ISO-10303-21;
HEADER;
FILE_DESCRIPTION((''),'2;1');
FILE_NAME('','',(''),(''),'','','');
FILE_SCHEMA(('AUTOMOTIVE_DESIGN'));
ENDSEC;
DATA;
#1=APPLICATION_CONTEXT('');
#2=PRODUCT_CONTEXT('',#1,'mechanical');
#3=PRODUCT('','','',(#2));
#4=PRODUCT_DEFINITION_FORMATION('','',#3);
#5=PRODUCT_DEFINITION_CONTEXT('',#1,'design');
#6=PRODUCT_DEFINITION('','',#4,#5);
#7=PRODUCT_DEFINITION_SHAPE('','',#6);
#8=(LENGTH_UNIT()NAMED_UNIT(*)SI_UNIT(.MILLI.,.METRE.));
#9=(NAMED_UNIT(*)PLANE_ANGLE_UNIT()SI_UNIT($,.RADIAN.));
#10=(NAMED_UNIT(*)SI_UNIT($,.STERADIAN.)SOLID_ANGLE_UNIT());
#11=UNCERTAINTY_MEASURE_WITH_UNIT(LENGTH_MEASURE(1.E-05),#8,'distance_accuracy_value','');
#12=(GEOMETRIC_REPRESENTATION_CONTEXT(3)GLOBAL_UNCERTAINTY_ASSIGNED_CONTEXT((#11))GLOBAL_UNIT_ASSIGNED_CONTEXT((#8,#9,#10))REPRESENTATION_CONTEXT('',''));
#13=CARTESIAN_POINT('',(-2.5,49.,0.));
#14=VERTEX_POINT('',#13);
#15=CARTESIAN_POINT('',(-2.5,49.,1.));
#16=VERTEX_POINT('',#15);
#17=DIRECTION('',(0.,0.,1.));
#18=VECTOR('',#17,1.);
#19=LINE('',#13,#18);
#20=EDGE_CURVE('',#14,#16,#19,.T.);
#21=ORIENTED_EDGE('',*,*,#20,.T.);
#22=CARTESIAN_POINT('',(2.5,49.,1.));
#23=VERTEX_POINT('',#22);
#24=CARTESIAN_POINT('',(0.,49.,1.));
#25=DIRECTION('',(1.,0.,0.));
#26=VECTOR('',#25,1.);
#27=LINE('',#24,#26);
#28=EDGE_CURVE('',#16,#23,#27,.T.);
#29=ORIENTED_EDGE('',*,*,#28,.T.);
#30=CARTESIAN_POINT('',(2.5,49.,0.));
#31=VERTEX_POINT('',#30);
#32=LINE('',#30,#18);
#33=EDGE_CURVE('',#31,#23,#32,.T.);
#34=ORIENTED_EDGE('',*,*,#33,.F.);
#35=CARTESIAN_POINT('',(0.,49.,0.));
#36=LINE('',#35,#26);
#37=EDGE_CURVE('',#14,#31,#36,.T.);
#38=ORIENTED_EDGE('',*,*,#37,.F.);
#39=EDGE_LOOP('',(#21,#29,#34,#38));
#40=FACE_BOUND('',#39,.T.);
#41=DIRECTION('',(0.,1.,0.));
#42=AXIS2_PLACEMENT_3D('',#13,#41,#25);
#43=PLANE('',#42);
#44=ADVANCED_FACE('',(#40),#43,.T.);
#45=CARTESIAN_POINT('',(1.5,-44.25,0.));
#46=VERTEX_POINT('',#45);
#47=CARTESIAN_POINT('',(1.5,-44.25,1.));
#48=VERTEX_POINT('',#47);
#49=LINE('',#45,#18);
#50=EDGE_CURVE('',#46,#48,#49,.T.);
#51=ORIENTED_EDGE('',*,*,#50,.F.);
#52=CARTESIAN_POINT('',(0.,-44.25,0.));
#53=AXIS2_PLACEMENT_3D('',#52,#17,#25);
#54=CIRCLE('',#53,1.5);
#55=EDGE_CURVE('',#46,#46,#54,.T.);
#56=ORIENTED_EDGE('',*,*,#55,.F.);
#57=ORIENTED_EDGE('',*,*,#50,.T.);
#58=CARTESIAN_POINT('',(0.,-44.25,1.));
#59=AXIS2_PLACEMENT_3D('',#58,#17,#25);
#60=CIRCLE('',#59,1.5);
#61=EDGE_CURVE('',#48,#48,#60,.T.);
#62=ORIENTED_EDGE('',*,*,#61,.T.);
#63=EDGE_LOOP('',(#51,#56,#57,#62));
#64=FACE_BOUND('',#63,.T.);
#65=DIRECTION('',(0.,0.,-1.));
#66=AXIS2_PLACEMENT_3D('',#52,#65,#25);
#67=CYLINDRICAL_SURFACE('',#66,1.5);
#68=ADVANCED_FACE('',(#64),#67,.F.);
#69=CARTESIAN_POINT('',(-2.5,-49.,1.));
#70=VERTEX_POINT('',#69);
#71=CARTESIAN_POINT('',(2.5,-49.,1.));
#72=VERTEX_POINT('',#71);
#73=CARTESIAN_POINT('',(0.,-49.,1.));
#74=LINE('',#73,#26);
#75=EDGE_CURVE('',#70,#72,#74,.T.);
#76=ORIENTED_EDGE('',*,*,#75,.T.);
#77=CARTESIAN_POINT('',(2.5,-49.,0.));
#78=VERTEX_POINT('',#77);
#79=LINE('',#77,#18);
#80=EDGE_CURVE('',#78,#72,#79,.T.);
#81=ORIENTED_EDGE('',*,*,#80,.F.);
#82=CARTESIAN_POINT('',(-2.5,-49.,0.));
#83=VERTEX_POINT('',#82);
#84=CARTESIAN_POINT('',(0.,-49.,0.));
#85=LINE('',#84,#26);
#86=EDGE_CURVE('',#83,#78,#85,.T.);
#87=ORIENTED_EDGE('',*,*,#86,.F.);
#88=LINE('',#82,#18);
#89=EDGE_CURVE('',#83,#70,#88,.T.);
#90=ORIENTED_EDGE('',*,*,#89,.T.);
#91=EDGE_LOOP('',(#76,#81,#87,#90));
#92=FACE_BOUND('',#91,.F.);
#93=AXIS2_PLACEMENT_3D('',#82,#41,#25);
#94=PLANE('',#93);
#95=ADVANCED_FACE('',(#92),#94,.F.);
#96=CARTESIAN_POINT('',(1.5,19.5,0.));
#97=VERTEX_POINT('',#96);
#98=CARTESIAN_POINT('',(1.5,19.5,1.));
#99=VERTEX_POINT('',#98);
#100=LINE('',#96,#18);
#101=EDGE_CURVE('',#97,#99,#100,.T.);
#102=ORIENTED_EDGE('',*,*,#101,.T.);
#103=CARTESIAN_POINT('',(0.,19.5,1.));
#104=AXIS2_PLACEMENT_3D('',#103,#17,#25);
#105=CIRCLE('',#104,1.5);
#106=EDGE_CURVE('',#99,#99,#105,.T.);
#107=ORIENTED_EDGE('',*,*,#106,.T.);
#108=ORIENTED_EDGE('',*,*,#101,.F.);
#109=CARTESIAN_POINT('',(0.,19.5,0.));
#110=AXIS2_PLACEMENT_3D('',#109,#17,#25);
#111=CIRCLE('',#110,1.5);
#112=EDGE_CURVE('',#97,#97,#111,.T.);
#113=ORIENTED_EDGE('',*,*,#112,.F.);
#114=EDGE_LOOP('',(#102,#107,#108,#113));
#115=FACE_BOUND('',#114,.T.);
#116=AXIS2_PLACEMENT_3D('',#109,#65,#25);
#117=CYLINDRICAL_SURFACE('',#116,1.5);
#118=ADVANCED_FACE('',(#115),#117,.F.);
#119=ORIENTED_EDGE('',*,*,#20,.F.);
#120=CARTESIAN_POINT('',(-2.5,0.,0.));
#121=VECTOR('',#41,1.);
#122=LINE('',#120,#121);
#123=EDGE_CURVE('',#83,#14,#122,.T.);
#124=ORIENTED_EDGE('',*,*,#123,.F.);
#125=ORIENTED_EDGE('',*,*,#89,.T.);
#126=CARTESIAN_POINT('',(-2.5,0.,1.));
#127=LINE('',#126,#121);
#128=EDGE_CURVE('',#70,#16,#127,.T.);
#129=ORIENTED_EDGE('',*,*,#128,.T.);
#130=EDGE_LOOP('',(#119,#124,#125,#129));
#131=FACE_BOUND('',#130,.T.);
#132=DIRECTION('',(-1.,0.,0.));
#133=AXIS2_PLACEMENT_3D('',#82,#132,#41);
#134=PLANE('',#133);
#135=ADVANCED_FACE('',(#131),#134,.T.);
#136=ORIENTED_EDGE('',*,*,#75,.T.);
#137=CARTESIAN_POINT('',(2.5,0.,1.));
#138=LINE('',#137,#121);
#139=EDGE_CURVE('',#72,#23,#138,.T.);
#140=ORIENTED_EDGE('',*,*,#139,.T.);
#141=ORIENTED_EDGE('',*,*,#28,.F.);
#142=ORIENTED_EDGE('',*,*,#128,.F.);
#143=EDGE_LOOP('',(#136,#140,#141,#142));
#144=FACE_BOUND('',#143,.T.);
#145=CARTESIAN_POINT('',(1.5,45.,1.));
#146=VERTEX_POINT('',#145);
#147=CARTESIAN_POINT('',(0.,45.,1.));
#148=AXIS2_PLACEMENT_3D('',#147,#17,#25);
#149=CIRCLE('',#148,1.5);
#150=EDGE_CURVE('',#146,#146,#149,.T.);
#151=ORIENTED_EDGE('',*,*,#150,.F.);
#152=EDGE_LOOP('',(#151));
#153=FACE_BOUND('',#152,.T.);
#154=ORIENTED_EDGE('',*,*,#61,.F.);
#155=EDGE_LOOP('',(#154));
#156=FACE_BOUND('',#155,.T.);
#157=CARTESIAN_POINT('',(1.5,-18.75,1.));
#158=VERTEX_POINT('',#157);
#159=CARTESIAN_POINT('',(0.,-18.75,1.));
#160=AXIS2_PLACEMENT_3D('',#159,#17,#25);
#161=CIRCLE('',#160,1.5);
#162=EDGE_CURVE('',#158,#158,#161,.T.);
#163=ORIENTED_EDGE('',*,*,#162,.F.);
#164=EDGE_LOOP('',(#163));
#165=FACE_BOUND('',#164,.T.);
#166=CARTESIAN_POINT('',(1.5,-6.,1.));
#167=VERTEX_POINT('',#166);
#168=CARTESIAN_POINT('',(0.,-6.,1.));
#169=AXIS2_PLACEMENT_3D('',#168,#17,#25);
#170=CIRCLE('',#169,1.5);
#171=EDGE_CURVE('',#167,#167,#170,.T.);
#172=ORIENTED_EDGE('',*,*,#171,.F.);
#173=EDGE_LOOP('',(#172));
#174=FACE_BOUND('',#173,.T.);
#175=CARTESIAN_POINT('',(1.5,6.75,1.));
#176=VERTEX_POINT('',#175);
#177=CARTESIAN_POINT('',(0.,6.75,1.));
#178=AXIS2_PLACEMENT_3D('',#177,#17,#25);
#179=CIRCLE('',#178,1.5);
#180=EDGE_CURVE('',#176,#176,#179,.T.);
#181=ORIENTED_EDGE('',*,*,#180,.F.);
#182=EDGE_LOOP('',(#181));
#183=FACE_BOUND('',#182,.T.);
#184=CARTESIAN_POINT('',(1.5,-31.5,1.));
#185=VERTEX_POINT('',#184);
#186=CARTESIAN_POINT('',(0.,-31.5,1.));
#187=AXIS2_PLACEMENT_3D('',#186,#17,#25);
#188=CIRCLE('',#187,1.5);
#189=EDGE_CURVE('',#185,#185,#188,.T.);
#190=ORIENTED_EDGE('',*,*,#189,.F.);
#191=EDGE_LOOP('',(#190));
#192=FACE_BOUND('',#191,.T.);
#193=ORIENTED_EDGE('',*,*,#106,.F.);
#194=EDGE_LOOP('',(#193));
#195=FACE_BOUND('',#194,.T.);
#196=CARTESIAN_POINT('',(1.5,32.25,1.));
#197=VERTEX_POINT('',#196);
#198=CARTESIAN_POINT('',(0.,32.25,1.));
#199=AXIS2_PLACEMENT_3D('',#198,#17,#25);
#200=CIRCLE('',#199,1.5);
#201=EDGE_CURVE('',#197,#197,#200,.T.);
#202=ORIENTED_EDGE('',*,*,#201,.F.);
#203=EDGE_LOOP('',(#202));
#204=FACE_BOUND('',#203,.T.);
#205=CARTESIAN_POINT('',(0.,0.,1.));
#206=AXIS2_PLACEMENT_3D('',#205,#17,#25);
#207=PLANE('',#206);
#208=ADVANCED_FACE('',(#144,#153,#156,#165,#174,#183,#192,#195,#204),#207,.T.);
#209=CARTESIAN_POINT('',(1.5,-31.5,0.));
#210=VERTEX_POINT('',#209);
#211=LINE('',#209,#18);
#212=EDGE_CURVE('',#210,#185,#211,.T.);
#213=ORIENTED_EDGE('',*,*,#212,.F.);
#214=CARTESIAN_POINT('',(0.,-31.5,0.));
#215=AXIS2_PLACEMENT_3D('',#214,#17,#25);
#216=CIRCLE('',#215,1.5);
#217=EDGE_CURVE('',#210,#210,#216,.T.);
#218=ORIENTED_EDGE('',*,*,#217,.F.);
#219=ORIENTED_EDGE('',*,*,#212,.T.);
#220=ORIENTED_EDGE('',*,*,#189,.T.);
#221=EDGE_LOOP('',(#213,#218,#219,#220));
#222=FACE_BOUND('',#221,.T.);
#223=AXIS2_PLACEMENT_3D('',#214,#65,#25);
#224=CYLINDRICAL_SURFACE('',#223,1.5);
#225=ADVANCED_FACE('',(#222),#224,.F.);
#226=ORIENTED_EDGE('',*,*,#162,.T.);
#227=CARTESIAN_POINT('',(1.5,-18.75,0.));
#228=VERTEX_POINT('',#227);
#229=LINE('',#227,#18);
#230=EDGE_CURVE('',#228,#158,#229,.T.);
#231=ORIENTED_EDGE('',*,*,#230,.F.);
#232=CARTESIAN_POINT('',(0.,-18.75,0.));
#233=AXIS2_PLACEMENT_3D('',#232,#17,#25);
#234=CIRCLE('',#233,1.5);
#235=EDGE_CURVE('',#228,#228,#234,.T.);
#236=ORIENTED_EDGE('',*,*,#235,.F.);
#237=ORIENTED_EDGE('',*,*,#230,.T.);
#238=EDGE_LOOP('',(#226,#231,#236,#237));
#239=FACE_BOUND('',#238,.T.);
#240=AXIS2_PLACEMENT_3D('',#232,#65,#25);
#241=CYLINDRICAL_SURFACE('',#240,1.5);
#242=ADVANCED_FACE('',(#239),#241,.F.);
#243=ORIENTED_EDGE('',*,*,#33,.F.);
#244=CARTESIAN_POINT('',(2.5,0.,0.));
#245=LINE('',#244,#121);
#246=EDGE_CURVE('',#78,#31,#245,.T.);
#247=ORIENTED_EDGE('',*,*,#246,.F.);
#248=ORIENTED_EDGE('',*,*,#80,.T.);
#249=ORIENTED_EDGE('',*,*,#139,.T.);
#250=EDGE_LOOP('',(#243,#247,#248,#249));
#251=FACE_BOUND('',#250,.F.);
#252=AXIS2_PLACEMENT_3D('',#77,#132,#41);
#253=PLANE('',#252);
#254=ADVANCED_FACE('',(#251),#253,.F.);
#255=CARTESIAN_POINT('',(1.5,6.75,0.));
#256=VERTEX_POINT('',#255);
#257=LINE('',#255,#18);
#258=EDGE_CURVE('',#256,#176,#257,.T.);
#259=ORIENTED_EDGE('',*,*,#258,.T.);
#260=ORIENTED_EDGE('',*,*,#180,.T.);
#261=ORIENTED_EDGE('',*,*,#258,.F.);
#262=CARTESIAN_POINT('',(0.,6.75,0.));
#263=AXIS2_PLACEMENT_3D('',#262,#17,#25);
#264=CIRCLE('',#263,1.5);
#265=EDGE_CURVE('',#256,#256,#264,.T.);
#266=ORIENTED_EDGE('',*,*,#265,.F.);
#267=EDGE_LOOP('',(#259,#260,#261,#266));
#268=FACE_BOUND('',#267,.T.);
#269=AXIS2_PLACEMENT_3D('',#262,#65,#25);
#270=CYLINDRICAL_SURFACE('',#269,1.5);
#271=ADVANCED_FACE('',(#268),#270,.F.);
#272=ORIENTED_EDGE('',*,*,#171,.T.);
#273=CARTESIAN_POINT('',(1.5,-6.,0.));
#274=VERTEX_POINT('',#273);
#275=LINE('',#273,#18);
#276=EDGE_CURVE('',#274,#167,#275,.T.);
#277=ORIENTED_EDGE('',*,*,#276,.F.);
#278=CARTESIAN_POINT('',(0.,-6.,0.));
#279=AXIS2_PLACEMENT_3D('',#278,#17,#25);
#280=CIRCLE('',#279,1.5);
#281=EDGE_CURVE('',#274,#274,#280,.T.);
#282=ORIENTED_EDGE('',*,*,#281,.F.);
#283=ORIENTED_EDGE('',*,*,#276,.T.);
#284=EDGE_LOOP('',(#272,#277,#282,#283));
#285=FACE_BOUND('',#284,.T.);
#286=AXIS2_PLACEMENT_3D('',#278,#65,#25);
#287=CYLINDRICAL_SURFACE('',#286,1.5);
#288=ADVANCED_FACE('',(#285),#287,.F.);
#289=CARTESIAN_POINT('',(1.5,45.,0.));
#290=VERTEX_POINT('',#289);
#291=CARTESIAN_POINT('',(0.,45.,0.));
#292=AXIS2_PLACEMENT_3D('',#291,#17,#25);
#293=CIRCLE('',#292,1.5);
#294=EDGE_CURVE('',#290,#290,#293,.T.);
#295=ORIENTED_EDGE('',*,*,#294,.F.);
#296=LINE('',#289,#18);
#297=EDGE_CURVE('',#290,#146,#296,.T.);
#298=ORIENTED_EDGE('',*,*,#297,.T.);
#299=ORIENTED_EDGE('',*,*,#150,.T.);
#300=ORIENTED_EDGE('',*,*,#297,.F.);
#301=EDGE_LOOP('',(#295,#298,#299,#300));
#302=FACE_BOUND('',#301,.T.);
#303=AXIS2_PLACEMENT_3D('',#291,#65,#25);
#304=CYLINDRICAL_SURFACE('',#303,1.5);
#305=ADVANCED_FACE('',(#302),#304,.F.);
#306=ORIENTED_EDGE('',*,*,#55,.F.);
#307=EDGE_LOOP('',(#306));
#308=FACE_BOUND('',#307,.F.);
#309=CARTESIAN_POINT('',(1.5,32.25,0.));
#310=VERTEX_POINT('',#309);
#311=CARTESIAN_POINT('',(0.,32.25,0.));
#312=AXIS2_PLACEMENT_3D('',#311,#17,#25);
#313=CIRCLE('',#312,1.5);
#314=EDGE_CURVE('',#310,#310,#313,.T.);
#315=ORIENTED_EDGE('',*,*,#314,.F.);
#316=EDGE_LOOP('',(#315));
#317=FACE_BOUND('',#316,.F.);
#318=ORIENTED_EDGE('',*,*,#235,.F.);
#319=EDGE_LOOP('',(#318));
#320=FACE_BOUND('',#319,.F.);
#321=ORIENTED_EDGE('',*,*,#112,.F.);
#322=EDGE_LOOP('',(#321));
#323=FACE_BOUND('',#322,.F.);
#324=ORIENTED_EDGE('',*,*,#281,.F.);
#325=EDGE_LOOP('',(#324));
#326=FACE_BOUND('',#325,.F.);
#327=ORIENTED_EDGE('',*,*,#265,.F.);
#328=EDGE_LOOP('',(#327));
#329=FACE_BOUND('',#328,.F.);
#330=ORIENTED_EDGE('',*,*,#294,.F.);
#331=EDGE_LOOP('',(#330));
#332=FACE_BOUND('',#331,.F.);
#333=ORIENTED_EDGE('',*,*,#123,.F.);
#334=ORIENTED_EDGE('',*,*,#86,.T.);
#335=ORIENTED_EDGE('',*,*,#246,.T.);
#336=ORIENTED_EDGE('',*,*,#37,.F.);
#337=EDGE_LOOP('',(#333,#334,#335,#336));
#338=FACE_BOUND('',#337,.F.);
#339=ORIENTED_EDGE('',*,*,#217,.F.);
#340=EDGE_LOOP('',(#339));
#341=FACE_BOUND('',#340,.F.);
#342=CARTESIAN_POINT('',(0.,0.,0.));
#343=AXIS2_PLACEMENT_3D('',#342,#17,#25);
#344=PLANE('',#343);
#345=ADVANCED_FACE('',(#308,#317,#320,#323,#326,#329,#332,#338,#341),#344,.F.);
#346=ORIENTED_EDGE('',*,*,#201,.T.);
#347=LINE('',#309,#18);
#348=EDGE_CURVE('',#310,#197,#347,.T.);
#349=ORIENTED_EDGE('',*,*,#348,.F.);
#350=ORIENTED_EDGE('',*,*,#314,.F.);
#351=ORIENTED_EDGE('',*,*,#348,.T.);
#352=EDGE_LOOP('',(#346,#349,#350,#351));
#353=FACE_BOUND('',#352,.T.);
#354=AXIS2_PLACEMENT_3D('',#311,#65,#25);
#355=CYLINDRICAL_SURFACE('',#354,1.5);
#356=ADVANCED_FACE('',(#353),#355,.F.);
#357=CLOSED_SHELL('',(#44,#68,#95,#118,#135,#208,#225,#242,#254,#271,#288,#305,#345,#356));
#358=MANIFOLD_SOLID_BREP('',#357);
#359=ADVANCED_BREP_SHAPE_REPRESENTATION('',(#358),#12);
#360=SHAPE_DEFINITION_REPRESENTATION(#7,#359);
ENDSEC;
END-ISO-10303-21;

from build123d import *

# Parameters (mm, degrees)
F0_W     = 5
F0_H     = 98
F0_R     = 1.5
F1_DEPTH = 1


with BuildPart() as f1:
    # F0 (on Top) → F1 (new body)
    with BuildSketch(Plane.XY):
        Rectangle(F0_W, F0_H)
        with Locations((0, -44.25)):
            Circle(F0_R, mode=Mode.SUBTRACT)
        with Locations((0, -31.5)):
            Circle(F0_R, mode=Mode.SUBTRACT)
        with Locations((0, -18.75)):
            Circle(F0_R, mode=Mode.SUBTRACT)
        with Locations((0, -6)):
            Circle(F0_R, mode=Mode.SUBTRACT)
        with Locations((0, 6.75)):
            Circle(F0_R, mode=Mode.SUBTRACT)
        with Locations((0, 19.5)):
            Circle(F0_R, mode=Mode.SUBTRACT)
        with Locations((0, 32.25)):
            Circle(F0_R, mode=Mode.SUBTRACT)
        with Locations((0, 45)):
            Circle(F0_R, mode=Mode.SUBTRACT)
    extrude(amount=F1_DEPTH)


solid = f1.part
